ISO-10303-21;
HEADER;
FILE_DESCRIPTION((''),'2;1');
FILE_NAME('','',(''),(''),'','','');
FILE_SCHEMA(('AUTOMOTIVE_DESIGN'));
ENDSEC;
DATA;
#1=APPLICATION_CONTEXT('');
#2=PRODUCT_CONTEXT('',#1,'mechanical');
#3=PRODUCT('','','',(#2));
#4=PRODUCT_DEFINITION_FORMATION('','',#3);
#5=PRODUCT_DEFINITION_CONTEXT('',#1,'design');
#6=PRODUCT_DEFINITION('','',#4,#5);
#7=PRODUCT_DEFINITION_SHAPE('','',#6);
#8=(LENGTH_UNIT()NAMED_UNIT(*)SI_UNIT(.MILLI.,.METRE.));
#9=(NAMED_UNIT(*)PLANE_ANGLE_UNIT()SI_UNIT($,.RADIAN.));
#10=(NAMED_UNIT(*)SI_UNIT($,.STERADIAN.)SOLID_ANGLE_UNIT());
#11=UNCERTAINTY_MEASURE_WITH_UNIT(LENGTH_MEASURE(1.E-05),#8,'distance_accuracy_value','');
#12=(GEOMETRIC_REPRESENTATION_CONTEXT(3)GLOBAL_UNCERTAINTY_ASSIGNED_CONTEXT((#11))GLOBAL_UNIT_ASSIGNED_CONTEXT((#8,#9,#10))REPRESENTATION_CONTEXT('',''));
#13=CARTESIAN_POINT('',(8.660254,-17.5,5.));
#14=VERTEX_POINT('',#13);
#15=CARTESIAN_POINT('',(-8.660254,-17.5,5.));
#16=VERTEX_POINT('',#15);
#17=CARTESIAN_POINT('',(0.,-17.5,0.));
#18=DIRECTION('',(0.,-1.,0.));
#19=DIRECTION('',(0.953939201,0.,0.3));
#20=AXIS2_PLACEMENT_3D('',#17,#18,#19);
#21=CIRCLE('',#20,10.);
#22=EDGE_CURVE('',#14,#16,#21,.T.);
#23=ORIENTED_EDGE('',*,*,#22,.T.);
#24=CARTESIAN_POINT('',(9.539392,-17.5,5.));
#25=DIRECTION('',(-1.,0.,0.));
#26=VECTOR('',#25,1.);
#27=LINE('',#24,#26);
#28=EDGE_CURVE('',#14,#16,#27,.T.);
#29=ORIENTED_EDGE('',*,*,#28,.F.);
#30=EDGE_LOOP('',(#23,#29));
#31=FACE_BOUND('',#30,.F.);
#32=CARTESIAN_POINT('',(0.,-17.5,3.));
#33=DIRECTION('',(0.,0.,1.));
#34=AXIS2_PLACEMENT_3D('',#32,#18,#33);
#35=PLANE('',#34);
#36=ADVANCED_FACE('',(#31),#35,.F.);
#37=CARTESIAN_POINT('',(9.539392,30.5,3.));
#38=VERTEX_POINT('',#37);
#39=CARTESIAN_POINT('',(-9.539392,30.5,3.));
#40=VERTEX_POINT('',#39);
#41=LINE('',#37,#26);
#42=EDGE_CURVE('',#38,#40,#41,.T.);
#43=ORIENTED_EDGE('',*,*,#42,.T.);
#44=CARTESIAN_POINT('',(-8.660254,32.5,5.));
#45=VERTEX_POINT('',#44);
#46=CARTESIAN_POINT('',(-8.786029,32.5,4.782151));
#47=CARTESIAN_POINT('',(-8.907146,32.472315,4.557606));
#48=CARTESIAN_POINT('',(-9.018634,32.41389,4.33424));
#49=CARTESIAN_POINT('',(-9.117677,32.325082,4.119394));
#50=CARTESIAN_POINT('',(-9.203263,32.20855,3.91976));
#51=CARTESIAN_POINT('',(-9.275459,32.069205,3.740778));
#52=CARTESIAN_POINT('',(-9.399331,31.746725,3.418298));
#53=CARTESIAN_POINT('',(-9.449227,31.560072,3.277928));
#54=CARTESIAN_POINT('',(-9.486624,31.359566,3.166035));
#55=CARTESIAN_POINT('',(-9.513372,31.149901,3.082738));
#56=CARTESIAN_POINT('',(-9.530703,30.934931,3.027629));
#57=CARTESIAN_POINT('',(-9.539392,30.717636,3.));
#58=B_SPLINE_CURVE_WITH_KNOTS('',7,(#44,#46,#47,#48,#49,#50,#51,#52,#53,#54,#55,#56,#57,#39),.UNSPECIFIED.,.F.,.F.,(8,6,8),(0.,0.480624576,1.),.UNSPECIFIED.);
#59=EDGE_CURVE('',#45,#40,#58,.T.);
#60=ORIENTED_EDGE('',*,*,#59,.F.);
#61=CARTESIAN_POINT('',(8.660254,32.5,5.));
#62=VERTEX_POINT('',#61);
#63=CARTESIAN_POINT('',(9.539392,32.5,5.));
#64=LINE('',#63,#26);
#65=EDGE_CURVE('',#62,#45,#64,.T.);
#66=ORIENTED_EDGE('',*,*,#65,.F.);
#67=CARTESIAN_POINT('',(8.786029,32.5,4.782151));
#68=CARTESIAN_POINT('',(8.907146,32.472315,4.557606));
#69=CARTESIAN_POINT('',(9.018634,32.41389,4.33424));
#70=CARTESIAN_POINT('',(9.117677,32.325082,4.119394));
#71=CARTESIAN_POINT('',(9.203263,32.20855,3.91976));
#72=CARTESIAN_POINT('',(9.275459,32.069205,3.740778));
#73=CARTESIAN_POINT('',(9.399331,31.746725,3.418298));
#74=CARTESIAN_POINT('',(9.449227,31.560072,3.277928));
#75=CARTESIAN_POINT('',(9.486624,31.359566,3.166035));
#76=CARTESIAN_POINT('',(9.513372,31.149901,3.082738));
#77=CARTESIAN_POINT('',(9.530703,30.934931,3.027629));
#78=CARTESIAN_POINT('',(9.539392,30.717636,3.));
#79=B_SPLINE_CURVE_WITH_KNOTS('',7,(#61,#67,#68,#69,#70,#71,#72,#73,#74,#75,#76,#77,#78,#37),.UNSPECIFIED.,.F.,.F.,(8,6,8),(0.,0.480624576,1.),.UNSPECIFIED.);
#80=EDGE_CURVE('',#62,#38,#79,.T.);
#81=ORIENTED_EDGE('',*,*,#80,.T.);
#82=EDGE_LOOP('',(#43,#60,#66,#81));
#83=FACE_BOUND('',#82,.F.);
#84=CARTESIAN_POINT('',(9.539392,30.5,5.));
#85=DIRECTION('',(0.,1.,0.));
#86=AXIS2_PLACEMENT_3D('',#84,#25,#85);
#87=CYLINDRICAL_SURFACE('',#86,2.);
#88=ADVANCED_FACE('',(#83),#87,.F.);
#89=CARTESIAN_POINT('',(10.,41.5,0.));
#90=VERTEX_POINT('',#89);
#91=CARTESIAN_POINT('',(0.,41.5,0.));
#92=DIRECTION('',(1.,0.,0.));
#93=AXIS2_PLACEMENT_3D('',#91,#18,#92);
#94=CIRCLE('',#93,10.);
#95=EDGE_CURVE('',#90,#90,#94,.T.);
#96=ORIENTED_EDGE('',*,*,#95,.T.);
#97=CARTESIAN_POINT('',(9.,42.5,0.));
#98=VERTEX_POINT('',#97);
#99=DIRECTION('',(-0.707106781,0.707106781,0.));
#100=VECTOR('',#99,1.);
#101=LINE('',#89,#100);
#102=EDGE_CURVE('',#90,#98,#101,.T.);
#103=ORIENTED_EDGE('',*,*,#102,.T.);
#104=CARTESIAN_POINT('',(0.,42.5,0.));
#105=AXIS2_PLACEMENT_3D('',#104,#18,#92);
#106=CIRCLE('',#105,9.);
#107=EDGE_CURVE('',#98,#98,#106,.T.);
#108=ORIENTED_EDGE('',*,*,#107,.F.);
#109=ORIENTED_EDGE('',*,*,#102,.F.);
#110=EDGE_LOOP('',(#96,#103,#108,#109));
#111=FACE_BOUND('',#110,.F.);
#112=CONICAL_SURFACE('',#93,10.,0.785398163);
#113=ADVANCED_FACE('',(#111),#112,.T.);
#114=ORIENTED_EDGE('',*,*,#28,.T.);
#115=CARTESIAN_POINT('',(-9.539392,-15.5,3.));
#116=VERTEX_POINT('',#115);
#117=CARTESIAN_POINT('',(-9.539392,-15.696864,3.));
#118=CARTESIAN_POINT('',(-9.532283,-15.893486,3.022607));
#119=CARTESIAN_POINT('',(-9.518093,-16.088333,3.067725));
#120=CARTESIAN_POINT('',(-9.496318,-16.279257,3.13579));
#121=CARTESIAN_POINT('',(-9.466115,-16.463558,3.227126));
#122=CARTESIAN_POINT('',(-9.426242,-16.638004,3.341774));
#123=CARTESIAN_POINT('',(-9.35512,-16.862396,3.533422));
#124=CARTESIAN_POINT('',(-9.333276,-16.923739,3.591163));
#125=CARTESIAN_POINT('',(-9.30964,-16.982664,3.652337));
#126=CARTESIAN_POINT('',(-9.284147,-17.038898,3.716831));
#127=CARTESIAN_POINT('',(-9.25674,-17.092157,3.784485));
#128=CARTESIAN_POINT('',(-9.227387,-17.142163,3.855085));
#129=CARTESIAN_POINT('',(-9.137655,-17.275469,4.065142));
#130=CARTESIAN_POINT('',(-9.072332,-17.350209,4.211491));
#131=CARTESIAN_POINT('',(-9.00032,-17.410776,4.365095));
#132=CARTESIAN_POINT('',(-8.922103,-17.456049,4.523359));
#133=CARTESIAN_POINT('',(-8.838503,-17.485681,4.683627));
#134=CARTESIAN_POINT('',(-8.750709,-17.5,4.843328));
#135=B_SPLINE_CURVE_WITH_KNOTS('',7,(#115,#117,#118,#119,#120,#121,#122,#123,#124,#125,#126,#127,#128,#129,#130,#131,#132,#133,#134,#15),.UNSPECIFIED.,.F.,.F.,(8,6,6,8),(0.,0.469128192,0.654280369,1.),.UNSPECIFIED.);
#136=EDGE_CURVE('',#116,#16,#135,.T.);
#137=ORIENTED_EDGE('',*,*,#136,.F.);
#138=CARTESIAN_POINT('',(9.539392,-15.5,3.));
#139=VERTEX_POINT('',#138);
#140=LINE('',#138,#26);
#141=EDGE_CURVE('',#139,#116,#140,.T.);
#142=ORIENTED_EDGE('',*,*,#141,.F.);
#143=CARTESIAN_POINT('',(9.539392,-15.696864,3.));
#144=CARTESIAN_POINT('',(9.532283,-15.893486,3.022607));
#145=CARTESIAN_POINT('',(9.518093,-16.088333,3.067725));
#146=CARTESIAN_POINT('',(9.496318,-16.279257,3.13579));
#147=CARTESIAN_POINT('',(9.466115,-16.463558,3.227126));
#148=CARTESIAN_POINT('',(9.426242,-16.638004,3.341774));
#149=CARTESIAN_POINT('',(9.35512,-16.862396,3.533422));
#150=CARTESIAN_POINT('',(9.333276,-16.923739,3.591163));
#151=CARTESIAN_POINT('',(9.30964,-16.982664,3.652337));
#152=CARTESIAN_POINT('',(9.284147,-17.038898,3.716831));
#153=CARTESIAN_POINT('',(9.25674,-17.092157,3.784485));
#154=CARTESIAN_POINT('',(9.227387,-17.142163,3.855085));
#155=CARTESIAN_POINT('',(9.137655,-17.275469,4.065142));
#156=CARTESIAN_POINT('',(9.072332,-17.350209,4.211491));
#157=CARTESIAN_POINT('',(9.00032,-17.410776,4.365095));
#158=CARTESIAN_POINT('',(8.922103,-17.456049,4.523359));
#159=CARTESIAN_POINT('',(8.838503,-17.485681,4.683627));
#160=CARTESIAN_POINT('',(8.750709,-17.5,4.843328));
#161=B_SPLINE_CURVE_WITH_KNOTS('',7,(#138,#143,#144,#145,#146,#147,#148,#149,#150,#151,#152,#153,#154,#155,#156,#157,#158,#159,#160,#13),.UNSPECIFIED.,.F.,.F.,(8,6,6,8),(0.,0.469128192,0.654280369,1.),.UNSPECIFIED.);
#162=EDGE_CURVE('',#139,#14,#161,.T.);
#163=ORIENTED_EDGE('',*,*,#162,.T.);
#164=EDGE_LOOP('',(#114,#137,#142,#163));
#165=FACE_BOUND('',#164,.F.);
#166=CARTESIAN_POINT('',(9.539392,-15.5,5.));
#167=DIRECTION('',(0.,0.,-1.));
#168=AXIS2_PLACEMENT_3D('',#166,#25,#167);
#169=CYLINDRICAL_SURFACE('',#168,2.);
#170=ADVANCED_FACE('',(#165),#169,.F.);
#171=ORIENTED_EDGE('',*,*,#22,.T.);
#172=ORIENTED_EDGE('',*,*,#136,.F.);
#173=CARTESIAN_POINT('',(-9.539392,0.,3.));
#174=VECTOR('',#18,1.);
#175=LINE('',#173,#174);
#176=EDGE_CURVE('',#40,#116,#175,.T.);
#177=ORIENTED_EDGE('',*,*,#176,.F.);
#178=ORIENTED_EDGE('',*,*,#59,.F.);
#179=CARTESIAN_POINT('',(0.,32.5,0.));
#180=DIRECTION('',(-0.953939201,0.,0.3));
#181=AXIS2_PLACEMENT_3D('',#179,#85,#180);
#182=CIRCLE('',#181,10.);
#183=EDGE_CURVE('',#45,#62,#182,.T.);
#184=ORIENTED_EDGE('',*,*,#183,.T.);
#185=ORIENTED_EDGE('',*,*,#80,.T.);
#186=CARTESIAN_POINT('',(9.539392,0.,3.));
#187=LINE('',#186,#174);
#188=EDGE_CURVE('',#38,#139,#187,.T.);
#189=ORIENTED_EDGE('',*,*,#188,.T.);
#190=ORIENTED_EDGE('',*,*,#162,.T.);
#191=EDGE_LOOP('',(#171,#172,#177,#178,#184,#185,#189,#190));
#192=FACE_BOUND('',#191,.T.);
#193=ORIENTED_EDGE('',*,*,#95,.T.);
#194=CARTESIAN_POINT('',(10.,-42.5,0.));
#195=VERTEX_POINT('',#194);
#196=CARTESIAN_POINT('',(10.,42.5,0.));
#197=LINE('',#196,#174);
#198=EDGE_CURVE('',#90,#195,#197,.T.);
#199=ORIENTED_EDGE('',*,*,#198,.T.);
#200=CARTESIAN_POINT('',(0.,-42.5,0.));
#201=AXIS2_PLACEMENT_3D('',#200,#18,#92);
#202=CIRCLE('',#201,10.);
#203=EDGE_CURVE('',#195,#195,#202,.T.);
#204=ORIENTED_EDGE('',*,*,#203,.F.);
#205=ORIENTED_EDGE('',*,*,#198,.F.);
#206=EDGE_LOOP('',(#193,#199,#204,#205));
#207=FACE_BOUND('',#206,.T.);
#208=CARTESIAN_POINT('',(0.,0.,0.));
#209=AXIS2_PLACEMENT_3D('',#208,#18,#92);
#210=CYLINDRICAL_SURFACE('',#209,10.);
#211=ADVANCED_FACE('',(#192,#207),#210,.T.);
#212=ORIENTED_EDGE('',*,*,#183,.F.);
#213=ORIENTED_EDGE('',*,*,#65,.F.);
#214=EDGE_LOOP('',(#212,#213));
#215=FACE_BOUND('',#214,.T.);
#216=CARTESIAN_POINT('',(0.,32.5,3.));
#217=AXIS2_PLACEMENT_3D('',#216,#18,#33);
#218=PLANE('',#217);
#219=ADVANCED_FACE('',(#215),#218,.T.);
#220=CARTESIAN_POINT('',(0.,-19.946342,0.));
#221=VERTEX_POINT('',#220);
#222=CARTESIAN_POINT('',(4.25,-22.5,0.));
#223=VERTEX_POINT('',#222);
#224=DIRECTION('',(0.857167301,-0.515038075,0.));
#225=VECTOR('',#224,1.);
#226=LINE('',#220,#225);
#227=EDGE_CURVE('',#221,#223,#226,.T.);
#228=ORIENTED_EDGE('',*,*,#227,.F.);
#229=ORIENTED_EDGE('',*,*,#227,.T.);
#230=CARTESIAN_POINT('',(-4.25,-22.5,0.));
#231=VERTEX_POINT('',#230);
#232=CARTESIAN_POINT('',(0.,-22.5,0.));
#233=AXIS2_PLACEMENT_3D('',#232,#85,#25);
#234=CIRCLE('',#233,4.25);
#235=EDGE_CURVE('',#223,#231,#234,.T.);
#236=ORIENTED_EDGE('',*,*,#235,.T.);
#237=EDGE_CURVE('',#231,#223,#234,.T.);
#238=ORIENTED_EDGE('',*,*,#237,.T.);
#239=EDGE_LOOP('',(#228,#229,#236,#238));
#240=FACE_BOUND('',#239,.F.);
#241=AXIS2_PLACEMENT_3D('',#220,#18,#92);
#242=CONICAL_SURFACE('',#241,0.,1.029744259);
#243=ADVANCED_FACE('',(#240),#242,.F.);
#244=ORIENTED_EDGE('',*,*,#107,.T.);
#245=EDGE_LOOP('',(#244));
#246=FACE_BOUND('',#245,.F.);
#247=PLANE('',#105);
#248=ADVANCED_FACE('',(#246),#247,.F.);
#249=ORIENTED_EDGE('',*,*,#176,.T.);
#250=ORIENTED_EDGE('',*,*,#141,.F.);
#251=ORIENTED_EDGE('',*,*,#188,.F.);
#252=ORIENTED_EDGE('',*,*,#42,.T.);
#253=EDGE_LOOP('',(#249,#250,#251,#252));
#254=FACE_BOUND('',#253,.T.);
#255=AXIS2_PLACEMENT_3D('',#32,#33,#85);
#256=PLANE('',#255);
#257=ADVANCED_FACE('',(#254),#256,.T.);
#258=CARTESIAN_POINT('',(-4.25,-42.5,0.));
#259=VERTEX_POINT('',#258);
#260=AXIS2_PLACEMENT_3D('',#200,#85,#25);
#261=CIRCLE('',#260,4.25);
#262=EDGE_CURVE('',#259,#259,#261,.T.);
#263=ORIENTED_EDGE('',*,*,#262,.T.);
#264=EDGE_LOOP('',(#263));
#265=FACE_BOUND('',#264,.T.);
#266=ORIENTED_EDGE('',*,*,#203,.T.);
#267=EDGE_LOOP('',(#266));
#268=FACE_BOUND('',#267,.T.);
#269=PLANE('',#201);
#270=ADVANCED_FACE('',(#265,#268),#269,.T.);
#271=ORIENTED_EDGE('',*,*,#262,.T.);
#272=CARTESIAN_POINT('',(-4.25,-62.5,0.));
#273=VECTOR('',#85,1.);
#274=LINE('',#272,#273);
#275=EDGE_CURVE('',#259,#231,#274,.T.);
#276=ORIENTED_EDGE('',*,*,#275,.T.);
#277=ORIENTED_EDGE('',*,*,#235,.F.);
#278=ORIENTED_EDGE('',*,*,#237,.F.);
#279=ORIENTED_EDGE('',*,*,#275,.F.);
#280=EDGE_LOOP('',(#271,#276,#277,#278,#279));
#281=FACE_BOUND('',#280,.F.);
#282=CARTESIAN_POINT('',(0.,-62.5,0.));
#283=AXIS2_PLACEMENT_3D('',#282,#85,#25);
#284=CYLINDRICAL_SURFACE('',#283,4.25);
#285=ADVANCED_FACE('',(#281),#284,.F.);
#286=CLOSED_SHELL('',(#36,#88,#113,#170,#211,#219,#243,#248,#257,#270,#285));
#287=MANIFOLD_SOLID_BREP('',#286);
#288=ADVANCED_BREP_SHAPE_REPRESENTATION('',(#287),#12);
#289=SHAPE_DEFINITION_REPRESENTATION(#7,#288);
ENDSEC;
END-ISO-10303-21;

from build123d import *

# Parameters (mm, degrees)
F0_R          = 10
F1_DEPTH      = 42.5
F3_D          = 8.5
F3_DEPTH      = 20
F3_TIP        = 2.5536576309
F4_SIZE       = 1
F5_W          = 50
F5_H          = 7
F6_DEPTH      = 10.001
F6_DEPTH_BACK = 10.001
F7_R          = 2


with BuildPart() as f1:
    # F0 (on Front) → F1 (new body, symmetric)
    with BuildSketch(Plane.XZ):
        Circle(F0_R)
    extrude(amount=F1_DEPTH, both=True)

    # F3
    with Locations(Plane.XZ.offset(42.5)):
        with Locations((0, 0)):
            Hole(F3_D / 2, depth=F3_DEPTH)
            with Locations((0, 0, -(F3_DEPTH + F3_TIP / 2))):  # 118° drill point
                Cone(0, F3_D / 2, F3_TIP, mode=Mode.SUBTRACT)

    # F4
    f4_edges = [f1.edges().sort_by_distance(p)[0] for p in [
        (-10, 42.5, 0),
    ]]
    chamfer(f4_edges, length=F4_SIZE)

    # F5 (on Right) → F6 (cut, two sides)
    with BuildSketch(Plane.YZ) as f6_sk:
        with Locations((7.5, 6.5)):
            Rectangle(F5_W, F5_H)
    extrude(amount=-F6_DEPTH, mode=Mode.SUBTRACT)
    extrude(f6_sk.sketch, amount=F6_DEPTH_BACK, mode=Mode.SUBTRACT)

    # F7
    f7_edges = [f1.edges().sort_by_distance(p)[0] for p in [
        (0, -17.5, 3),
        (0, 32.5, 3),
    ]]
    fillet(f7_edges, radius=F7_R)


solid = f1.part
